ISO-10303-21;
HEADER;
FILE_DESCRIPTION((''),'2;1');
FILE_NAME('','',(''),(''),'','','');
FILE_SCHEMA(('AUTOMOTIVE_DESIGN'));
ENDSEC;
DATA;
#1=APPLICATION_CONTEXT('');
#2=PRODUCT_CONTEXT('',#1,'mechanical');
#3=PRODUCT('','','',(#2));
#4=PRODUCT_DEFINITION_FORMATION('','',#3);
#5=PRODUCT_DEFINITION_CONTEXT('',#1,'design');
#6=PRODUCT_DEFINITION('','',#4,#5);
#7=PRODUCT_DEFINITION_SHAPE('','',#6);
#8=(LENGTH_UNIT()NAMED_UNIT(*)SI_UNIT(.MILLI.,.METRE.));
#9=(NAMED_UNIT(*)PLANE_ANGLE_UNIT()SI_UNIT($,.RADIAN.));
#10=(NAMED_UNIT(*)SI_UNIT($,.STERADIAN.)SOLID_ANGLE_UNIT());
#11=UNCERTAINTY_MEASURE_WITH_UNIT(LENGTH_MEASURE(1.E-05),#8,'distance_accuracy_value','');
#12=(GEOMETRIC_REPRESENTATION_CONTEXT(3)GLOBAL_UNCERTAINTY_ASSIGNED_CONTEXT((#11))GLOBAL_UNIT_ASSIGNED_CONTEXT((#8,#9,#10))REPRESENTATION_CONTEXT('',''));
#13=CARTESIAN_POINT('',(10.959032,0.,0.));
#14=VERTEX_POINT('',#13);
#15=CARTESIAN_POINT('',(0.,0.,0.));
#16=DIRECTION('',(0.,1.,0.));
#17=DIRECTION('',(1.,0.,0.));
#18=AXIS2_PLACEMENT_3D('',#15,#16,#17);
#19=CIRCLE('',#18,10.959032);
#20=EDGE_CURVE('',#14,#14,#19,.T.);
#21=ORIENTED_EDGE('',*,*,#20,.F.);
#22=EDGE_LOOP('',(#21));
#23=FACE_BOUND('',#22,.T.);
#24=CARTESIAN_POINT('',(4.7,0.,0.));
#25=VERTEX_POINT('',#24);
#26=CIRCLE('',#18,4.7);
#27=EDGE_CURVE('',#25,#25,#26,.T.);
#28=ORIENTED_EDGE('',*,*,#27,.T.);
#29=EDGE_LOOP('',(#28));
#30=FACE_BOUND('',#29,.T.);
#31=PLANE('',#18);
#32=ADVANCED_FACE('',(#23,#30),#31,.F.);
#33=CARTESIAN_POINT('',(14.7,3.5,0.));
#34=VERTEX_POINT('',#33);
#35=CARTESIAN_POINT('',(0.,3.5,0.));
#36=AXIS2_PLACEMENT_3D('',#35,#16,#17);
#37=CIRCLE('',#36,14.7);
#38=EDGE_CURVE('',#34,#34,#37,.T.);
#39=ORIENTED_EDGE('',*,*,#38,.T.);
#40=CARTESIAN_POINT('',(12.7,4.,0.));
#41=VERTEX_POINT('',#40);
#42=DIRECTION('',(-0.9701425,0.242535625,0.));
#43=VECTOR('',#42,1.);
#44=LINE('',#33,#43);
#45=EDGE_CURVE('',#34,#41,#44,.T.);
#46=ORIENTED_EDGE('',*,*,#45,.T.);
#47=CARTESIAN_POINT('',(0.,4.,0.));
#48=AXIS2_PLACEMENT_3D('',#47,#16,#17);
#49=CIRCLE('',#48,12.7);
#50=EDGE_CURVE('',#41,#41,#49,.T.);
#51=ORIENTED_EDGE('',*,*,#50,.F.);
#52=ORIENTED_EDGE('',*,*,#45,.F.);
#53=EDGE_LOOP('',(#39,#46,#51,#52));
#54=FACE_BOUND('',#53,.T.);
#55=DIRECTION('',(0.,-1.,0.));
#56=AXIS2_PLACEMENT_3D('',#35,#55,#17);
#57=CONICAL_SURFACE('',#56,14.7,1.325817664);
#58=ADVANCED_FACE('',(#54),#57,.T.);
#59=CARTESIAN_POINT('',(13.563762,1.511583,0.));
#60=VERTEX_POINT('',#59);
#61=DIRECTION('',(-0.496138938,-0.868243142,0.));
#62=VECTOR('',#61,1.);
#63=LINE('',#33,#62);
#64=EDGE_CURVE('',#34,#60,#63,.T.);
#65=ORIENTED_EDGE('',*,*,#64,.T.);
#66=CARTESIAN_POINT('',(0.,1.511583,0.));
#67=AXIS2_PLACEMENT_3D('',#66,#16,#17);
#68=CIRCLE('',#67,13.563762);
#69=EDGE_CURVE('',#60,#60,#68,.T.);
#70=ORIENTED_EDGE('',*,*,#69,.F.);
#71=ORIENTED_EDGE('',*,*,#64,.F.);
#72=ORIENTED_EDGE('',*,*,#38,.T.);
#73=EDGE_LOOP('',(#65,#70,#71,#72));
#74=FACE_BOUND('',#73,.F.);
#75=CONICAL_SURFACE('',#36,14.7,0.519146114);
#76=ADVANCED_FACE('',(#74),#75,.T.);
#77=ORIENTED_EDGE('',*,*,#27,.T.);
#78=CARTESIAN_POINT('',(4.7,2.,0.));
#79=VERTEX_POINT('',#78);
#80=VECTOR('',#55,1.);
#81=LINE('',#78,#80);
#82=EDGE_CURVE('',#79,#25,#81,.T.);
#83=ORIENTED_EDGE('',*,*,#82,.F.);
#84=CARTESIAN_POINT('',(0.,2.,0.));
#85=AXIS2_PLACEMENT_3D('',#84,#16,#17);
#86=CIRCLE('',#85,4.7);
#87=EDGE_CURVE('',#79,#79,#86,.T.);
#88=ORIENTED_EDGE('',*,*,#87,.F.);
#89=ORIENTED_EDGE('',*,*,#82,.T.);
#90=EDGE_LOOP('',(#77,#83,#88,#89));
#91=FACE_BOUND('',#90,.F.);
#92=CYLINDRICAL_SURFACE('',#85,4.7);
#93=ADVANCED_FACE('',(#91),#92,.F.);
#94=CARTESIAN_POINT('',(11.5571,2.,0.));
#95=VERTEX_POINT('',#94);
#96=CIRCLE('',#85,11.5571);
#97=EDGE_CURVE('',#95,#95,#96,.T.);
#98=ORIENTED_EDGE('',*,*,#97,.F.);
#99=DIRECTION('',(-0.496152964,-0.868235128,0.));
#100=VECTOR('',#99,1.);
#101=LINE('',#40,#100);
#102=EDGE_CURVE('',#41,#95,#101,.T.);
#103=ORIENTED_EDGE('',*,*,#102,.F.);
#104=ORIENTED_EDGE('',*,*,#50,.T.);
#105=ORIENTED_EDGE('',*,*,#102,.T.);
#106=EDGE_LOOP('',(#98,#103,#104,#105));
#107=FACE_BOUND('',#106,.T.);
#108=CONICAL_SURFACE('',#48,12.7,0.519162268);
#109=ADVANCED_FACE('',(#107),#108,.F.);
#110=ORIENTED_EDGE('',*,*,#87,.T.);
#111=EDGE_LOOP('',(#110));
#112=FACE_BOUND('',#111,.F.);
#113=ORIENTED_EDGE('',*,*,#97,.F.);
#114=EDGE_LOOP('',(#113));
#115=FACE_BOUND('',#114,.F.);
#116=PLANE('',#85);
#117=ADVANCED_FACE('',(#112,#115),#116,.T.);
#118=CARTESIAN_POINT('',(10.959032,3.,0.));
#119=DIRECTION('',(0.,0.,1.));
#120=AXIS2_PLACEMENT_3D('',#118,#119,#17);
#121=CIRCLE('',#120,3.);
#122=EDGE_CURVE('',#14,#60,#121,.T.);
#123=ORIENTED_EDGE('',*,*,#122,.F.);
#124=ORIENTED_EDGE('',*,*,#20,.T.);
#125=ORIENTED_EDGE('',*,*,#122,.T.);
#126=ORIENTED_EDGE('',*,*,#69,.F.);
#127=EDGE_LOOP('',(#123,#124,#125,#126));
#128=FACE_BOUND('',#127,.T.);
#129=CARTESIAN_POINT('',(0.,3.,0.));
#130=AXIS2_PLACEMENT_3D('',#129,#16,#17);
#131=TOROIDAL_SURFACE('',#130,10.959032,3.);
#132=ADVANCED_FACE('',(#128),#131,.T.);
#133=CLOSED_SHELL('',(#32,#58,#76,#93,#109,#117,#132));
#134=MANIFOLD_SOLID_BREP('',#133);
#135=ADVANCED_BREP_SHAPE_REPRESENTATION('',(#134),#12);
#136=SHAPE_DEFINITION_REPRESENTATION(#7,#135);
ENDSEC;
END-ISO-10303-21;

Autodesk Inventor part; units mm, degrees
ref_plane "YZ Plane" through (0, 0, 0) normal (1, 0, 0) x (0, 1, 0)
ref_plane "XZ Plane" through (0, 0, 0) normal (0, 1, 0) x (-1, 0, 0)
ref_plane "XY Plane" through (0, 0, 0) normal (0, 0, 1) x (1, 0, 0)
sketch "Sketch1" plane through (0, 0, 0) normal (0, 0, 1) x (1, 0, 0)
  line L0 (0, 0) -> (12.7, 0)
  line L1 (14.7, 0) -> (14.7, 3.5) construction
  line L2 (14.7, 3.5) -> (12.7, 3.5) construction
  line L3 (0, 0) -> (0, 2)
  line L4 (12.7, 3.5) -> (12.7, 4) construction
  line L5 (14.7, 3.5) -> (12.7, 4)
  line L6 (14.7, 3.5) -> (12.7, 0)
  line L7 (12.7, 4) -> (11.5571, 2)
  line L8 (0, 2) -> (11.5571, 2)
  dimension "d0" = 14.7
  dimension "d1" = 3.5
  dimension "d2" = 2
  dimension "d3" = 0.5
  dimension "d4" = 2
  dimension "d10" = 2
revolve "Revolution1" add sketch "Sketch1" angle 360 about axis through (0, 0, 0) along (0, 1, 0)
sketch "Sketch2" plane through (0, 2, 0) normal (0, 1, 0) x (1, 0, 0)
  circle A0 centre (0, 0) radius 4.7
  dimension "d6" = 9.4
extrude "Extrusion1" cut sketch "Sketch2" against normal through all
fillet "Fillet1" radius 3 1 edges at (-12.7, 0, 0)
properties part number "BottomBushingWasher" material "Aluminum"
